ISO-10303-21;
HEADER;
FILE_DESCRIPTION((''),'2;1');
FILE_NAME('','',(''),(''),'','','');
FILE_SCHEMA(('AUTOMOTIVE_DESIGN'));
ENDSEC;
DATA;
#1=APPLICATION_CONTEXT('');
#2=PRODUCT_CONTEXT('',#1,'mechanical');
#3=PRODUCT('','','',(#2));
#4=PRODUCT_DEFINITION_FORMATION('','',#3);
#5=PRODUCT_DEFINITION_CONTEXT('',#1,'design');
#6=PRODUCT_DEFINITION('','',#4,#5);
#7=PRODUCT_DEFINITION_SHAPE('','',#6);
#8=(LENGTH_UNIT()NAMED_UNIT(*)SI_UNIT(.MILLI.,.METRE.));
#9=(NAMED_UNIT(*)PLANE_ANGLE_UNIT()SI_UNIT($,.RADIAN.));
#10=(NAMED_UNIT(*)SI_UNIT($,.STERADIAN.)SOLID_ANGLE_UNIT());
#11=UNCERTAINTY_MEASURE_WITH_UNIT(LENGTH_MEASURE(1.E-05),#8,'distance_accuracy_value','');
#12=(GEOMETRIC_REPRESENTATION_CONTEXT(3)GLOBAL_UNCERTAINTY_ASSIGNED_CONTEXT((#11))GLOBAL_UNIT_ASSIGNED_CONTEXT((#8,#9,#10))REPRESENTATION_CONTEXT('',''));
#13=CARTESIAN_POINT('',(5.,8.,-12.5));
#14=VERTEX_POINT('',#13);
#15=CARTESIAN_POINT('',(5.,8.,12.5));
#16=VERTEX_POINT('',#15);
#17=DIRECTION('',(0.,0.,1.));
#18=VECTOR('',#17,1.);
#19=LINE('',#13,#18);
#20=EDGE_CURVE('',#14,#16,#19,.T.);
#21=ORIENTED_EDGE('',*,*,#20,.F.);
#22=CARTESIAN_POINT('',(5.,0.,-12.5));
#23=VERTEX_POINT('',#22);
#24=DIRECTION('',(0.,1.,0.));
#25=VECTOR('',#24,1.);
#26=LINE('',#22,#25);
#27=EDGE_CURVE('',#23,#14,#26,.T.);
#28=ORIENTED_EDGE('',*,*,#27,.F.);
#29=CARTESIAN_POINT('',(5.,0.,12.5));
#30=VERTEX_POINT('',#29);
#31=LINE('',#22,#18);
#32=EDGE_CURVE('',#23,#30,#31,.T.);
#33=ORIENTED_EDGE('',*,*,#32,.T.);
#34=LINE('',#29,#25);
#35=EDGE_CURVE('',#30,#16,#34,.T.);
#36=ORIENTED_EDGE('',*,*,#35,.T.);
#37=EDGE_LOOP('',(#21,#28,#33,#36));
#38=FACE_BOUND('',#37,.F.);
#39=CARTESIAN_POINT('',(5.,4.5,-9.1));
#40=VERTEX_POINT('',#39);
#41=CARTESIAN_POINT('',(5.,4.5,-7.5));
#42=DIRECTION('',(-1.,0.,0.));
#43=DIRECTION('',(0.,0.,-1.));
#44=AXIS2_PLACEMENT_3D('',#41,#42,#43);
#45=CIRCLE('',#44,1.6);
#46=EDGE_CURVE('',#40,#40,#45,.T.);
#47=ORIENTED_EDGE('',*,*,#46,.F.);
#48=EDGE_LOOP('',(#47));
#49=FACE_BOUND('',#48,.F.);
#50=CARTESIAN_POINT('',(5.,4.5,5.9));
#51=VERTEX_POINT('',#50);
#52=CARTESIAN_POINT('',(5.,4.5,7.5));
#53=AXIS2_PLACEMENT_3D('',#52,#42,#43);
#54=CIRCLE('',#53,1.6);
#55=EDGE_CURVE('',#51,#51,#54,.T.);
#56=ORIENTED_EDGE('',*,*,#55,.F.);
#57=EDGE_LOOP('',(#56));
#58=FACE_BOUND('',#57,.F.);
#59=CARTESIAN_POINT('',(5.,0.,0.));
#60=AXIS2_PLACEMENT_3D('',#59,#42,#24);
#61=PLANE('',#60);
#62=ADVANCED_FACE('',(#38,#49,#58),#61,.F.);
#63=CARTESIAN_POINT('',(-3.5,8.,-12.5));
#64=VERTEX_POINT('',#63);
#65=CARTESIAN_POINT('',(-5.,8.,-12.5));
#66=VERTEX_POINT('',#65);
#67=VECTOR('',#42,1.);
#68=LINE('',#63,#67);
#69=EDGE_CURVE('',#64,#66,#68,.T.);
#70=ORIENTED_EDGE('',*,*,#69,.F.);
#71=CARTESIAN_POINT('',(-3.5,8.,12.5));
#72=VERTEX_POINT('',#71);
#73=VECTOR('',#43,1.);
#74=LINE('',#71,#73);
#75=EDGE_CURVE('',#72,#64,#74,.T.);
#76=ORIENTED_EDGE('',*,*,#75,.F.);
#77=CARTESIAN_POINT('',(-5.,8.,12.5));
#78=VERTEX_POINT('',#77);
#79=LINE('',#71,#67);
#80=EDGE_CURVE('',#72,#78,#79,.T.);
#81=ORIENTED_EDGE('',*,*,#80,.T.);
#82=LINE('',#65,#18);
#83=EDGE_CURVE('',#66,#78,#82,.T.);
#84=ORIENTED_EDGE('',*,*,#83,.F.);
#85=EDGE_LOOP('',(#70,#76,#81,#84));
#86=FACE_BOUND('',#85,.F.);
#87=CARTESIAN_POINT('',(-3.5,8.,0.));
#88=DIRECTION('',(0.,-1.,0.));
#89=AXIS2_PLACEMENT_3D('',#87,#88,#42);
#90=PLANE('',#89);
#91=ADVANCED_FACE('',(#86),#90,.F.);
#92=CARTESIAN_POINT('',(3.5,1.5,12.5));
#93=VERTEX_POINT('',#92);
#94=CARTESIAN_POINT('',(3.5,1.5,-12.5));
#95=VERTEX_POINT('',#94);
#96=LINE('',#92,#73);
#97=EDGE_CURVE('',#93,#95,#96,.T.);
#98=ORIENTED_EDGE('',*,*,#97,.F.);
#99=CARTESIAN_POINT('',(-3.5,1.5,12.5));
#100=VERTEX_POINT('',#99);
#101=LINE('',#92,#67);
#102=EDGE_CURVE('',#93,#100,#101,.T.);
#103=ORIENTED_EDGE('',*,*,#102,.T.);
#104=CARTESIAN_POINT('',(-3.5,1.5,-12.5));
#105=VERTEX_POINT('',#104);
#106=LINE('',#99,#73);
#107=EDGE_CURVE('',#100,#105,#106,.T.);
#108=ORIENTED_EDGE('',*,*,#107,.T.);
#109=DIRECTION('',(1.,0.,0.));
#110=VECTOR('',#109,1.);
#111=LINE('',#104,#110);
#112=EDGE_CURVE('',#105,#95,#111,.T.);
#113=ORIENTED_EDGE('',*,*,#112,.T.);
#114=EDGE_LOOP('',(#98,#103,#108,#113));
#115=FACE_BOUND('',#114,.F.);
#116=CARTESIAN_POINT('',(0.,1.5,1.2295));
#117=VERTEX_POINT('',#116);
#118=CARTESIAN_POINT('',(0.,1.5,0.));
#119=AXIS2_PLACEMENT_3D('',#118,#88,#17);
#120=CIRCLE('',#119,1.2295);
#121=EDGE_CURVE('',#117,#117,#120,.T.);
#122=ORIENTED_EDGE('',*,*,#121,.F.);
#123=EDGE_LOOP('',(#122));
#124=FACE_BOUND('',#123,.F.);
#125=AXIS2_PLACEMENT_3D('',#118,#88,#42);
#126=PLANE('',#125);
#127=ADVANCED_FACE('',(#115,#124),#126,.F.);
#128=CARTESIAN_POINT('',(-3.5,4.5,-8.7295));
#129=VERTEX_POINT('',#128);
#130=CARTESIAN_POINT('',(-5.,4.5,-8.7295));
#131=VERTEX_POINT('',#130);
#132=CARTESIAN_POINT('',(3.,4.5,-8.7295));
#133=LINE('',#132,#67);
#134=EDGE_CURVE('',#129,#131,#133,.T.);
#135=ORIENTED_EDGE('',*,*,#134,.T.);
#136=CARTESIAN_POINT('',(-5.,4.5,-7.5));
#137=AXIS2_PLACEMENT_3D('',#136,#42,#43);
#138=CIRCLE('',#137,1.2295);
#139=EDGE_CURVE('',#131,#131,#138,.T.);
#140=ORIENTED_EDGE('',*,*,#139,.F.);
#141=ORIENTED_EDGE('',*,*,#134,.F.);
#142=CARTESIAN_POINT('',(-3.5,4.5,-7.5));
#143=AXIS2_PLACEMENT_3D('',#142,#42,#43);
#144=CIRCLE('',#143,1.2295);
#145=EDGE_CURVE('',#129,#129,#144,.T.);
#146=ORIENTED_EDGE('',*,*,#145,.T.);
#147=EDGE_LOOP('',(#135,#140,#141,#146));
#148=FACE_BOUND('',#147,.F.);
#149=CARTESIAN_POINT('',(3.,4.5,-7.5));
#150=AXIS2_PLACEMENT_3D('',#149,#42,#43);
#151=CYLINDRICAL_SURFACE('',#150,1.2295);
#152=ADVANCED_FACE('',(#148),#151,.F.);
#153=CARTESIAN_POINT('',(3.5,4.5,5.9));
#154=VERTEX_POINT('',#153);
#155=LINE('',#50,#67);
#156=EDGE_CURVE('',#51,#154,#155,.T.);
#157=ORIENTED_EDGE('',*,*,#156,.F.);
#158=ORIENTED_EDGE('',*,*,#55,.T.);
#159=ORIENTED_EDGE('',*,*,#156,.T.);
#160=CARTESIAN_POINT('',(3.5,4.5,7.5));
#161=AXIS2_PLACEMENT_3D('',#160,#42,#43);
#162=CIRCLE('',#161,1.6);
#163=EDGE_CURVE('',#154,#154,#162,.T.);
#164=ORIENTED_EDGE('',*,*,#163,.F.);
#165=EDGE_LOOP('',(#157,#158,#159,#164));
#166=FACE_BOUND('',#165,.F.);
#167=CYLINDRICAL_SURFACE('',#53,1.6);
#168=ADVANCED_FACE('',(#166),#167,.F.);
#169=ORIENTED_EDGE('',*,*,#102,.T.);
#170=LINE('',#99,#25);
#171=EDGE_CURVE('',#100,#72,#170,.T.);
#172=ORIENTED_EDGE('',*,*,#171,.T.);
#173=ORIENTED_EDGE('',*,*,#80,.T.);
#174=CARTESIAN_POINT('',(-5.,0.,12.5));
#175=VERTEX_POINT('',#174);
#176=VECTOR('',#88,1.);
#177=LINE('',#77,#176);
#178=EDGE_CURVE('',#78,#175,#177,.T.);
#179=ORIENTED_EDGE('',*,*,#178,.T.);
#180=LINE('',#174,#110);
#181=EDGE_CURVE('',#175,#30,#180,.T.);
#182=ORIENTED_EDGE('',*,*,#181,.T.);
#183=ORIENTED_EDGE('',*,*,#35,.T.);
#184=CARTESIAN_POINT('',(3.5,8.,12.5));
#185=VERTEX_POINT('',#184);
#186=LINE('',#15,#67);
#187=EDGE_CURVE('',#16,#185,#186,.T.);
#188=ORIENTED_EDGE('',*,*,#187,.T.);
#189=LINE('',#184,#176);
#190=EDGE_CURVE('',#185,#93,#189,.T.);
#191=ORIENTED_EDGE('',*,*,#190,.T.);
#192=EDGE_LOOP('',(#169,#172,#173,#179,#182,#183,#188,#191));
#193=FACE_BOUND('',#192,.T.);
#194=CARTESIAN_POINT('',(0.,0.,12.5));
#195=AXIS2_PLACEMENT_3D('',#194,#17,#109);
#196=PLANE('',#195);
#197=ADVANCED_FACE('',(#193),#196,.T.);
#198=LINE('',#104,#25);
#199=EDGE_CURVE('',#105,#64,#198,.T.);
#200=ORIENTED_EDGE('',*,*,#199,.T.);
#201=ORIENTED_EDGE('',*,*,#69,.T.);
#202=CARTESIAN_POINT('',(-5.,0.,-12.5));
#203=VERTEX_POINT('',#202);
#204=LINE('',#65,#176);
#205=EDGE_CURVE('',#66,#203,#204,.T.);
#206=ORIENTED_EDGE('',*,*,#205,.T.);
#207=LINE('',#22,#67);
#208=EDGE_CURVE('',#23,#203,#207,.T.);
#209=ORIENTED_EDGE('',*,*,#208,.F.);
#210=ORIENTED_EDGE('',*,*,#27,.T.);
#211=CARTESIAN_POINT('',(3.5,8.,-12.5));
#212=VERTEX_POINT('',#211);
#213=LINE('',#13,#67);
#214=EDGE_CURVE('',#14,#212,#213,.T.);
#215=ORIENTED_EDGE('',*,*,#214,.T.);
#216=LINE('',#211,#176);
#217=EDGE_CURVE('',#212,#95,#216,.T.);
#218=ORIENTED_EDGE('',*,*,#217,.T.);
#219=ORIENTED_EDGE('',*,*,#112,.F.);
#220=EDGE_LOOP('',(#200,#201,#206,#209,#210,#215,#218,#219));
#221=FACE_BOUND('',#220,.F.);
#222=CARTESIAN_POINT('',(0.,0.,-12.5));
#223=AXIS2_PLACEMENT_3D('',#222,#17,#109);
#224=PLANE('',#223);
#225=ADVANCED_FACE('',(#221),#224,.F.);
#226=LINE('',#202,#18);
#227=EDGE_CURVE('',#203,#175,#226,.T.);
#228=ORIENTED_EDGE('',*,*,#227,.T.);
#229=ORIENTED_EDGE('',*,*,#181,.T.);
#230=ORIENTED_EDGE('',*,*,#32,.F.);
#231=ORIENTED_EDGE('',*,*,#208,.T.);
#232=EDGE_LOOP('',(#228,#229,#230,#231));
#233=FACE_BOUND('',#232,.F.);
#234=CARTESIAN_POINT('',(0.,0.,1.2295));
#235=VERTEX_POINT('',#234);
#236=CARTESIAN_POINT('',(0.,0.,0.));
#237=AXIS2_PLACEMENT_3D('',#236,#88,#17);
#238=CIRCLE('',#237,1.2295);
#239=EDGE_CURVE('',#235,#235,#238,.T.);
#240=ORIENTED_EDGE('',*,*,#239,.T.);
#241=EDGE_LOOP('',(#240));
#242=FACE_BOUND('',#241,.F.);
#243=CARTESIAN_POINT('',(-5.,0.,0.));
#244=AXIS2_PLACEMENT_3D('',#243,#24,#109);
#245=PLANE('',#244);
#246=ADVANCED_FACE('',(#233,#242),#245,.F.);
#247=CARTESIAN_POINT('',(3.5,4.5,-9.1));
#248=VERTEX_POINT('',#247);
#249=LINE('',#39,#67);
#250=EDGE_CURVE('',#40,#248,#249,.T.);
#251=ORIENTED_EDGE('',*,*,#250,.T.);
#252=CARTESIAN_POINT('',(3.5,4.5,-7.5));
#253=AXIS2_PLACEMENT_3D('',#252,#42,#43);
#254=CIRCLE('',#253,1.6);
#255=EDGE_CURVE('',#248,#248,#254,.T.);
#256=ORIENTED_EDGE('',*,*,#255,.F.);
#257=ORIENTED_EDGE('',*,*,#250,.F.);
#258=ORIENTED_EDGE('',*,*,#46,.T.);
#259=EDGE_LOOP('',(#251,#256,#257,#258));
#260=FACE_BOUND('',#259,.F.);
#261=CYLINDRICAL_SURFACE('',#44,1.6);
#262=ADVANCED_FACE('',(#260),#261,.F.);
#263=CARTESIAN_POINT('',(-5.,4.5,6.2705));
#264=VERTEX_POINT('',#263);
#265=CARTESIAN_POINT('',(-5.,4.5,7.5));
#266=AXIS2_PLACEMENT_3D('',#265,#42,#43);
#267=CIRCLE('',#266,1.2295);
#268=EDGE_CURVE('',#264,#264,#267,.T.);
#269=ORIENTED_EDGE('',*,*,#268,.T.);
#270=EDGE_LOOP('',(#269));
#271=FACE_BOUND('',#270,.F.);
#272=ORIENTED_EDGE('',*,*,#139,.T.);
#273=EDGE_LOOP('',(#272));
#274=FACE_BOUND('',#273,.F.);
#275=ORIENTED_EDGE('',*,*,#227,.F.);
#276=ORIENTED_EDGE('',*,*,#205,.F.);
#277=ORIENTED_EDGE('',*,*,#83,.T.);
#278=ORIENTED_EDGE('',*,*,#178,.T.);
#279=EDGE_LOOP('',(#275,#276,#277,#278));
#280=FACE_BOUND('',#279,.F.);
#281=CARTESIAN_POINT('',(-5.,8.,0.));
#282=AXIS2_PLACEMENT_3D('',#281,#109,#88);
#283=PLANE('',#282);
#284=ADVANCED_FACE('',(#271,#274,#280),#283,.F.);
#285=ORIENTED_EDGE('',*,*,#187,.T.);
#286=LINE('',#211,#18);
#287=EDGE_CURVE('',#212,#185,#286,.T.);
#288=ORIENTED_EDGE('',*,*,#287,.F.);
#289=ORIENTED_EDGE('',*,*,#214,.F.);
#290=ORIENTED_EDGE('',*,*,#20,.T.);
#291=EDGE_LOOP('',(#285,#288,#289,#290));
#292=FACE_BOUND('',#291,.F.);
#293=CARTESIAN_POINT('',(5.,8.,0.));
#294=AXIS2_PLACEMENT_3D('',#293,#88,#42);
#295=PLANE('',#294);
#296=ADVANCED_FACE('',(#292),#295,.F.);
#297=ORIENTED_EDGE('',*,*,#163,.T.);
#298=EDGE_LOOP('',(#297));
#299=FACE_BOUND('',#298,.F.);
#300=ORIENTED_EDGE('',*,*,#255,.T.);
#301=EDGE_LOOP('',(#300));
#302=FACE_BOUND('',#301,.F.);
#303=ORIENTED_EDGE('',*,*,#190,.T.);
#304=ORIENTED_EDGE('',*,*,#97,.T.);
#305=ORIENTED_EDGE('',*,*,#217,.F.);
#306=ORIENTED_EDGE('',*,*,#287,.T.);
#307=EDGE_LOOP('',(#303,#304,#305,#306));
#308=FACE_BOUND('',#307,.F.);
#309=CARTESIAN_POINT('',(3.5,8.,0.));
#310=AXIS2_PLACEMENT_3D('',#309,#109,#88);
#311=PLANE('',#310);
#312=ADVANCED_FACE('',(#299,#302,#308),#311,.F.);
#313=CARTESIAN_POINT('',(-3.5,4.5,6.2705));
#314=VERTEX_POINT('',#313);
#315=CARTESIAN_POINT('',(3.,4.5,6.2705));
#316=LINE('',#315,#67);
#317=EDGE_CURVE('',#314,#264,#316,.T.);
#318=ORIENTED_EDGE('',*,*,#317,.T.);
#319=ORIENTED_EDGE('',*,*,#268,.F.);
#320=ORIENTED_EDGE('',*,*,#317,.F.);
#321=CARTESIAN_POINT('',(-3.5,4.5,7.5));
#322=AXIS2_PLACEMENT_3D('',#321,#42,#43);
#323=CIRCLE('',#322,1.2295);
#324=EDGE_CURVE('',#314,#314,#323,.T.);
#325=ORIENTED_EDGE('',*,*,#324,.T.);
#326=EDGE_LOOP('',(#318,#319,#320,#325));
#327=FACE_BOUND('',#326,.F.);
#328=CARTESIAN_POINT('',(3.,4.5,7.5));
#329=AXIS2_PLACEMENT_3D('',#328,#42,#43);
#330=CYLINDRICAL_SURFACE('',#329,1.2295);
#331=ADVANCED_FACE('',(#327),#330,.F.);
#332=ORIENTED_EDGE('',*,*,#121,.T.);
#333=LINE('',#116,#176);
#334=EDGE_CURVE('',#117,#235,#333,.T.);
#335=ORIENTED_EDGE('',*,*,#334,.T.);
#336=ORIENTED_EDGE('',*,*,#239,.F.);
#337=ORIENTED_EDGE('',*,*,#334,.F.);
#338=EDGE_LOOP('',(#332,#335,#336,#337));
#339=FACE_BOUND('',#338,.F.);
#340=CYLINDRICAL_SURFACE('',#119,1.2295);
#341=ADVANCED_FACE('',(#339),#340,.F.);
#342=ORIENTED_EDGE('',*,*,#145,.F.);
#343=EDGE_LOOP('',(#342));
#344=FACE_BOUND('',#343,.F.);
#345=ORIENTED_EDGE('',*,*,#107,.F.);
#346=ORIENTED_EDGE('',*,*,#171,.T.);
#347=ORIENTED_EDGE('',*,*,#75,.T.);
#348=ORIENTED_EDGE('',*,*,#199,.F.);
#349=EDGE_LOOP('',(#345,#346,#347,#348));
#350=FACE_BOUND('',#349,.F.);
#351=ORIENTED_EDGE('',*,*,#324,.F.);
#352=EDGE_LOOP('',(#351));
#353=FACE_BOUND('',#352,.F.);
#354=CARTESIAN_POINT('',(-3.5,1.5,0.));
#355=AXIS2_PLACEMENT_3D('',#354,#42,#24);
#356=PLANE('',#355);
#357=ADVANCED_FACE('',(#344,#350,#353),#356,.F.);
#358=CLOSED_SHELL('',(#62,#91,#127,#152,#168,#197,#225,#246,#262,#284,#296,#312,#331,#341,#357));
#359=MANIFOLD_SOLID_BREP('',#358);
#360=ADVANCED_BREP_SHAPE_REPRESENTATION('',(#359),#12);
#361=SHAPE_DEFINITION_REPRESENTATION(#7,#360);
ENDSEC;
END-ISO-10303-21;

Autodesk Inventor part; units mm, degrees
ref_plane "YZ Plane" through (0, 0, 0) normal (1, 0, 0) x (0, 1, 0)
ref_plane "XZ Plane" through (0, 0, 0) normal (0, 1, 0) x (-1, 0, 0)
ref_plane "XY Plane" through (0, 0, 0) normal (0, 0, 1) x (1, 0, 0)
sketch "Náčrt1" plane through (0, 0, 0) normal (0, 0, 1) x (1, 0, 0)
  line L0 (-5, 8) -> (-5, 0)
  line L1 (-5, 0) -> (5, 0)
  line L2 (5, 0) -> (5, 8)
  line L3 (5, 8) -> (3.5, 8)
  line L4 (3.5, 8) -> (3.5, 1.5)
  line L5 (3.5, 1.5) -> (-3.5, 1.5)
  line L6 (-3.5, 1.5) -> (-3.5, 8)
  line L7 (-3.5, 8) -> (-5, 8)
  line L8 (-7, 0) -> (7, 0) projected
  line L9 (0, 9.6) -> (0, -1.6) projected
  point P0 (0, 0)
  dimension "d0" = 8
  dimension "d1" = 10
  dimension "d2" = 1.5
  dimension "d3" = 1.5
  dimension "d4" = 1.5
extrude "Vysunutí1" add sketch "Náčrt1" along normal mid plane 25
sketch "Náčrt2" plane through (5, 0, 12.5) normal (1, 0, 0) x (0, 0, -1)
  line L0 (25, 8) -> (25, 0) projected
  line L1 (0, 0) -> (0, 8) projected
  line L2 (25, 8) -> (0, 8) projected
  point P0 (12.5, 0)
  point P1 (5, 4.5)
  point P2 (20, 4.5)
  dimension "d7" = 5
  dimension "d8" = 5
  dimension "d9" = 3.5
  dimension "d10" = 3.5
hole "Díra1" at (5, 4.5, 7.5) at (5, 4.5, -7.5) direction (-1, 0, 0) diameter 2.459 end through all counterbore diameter 3.2 counterbore depth 2 thread size "M3x0.5" class "6H" standard "ISO Metric profile"
sketch "Náčrt3" plane through (-3.5, 1.5, 12.5) normal (0, 1, 0) x (1, 0, 0)
  line L0 (0, 25) -> (0, 0) projected
  point P0 (3.5, 12.5)
  point P1 (3.5, 12.5)
hole "Díra2" at (0, 1.5, 0) direction (0, -1, 0) diameter 2.459 end through all thread size "M3x0.5" class "6H" standard "ISO Metric profile"
properties part number "x_belt_anchor" material "Hliník 6061"
